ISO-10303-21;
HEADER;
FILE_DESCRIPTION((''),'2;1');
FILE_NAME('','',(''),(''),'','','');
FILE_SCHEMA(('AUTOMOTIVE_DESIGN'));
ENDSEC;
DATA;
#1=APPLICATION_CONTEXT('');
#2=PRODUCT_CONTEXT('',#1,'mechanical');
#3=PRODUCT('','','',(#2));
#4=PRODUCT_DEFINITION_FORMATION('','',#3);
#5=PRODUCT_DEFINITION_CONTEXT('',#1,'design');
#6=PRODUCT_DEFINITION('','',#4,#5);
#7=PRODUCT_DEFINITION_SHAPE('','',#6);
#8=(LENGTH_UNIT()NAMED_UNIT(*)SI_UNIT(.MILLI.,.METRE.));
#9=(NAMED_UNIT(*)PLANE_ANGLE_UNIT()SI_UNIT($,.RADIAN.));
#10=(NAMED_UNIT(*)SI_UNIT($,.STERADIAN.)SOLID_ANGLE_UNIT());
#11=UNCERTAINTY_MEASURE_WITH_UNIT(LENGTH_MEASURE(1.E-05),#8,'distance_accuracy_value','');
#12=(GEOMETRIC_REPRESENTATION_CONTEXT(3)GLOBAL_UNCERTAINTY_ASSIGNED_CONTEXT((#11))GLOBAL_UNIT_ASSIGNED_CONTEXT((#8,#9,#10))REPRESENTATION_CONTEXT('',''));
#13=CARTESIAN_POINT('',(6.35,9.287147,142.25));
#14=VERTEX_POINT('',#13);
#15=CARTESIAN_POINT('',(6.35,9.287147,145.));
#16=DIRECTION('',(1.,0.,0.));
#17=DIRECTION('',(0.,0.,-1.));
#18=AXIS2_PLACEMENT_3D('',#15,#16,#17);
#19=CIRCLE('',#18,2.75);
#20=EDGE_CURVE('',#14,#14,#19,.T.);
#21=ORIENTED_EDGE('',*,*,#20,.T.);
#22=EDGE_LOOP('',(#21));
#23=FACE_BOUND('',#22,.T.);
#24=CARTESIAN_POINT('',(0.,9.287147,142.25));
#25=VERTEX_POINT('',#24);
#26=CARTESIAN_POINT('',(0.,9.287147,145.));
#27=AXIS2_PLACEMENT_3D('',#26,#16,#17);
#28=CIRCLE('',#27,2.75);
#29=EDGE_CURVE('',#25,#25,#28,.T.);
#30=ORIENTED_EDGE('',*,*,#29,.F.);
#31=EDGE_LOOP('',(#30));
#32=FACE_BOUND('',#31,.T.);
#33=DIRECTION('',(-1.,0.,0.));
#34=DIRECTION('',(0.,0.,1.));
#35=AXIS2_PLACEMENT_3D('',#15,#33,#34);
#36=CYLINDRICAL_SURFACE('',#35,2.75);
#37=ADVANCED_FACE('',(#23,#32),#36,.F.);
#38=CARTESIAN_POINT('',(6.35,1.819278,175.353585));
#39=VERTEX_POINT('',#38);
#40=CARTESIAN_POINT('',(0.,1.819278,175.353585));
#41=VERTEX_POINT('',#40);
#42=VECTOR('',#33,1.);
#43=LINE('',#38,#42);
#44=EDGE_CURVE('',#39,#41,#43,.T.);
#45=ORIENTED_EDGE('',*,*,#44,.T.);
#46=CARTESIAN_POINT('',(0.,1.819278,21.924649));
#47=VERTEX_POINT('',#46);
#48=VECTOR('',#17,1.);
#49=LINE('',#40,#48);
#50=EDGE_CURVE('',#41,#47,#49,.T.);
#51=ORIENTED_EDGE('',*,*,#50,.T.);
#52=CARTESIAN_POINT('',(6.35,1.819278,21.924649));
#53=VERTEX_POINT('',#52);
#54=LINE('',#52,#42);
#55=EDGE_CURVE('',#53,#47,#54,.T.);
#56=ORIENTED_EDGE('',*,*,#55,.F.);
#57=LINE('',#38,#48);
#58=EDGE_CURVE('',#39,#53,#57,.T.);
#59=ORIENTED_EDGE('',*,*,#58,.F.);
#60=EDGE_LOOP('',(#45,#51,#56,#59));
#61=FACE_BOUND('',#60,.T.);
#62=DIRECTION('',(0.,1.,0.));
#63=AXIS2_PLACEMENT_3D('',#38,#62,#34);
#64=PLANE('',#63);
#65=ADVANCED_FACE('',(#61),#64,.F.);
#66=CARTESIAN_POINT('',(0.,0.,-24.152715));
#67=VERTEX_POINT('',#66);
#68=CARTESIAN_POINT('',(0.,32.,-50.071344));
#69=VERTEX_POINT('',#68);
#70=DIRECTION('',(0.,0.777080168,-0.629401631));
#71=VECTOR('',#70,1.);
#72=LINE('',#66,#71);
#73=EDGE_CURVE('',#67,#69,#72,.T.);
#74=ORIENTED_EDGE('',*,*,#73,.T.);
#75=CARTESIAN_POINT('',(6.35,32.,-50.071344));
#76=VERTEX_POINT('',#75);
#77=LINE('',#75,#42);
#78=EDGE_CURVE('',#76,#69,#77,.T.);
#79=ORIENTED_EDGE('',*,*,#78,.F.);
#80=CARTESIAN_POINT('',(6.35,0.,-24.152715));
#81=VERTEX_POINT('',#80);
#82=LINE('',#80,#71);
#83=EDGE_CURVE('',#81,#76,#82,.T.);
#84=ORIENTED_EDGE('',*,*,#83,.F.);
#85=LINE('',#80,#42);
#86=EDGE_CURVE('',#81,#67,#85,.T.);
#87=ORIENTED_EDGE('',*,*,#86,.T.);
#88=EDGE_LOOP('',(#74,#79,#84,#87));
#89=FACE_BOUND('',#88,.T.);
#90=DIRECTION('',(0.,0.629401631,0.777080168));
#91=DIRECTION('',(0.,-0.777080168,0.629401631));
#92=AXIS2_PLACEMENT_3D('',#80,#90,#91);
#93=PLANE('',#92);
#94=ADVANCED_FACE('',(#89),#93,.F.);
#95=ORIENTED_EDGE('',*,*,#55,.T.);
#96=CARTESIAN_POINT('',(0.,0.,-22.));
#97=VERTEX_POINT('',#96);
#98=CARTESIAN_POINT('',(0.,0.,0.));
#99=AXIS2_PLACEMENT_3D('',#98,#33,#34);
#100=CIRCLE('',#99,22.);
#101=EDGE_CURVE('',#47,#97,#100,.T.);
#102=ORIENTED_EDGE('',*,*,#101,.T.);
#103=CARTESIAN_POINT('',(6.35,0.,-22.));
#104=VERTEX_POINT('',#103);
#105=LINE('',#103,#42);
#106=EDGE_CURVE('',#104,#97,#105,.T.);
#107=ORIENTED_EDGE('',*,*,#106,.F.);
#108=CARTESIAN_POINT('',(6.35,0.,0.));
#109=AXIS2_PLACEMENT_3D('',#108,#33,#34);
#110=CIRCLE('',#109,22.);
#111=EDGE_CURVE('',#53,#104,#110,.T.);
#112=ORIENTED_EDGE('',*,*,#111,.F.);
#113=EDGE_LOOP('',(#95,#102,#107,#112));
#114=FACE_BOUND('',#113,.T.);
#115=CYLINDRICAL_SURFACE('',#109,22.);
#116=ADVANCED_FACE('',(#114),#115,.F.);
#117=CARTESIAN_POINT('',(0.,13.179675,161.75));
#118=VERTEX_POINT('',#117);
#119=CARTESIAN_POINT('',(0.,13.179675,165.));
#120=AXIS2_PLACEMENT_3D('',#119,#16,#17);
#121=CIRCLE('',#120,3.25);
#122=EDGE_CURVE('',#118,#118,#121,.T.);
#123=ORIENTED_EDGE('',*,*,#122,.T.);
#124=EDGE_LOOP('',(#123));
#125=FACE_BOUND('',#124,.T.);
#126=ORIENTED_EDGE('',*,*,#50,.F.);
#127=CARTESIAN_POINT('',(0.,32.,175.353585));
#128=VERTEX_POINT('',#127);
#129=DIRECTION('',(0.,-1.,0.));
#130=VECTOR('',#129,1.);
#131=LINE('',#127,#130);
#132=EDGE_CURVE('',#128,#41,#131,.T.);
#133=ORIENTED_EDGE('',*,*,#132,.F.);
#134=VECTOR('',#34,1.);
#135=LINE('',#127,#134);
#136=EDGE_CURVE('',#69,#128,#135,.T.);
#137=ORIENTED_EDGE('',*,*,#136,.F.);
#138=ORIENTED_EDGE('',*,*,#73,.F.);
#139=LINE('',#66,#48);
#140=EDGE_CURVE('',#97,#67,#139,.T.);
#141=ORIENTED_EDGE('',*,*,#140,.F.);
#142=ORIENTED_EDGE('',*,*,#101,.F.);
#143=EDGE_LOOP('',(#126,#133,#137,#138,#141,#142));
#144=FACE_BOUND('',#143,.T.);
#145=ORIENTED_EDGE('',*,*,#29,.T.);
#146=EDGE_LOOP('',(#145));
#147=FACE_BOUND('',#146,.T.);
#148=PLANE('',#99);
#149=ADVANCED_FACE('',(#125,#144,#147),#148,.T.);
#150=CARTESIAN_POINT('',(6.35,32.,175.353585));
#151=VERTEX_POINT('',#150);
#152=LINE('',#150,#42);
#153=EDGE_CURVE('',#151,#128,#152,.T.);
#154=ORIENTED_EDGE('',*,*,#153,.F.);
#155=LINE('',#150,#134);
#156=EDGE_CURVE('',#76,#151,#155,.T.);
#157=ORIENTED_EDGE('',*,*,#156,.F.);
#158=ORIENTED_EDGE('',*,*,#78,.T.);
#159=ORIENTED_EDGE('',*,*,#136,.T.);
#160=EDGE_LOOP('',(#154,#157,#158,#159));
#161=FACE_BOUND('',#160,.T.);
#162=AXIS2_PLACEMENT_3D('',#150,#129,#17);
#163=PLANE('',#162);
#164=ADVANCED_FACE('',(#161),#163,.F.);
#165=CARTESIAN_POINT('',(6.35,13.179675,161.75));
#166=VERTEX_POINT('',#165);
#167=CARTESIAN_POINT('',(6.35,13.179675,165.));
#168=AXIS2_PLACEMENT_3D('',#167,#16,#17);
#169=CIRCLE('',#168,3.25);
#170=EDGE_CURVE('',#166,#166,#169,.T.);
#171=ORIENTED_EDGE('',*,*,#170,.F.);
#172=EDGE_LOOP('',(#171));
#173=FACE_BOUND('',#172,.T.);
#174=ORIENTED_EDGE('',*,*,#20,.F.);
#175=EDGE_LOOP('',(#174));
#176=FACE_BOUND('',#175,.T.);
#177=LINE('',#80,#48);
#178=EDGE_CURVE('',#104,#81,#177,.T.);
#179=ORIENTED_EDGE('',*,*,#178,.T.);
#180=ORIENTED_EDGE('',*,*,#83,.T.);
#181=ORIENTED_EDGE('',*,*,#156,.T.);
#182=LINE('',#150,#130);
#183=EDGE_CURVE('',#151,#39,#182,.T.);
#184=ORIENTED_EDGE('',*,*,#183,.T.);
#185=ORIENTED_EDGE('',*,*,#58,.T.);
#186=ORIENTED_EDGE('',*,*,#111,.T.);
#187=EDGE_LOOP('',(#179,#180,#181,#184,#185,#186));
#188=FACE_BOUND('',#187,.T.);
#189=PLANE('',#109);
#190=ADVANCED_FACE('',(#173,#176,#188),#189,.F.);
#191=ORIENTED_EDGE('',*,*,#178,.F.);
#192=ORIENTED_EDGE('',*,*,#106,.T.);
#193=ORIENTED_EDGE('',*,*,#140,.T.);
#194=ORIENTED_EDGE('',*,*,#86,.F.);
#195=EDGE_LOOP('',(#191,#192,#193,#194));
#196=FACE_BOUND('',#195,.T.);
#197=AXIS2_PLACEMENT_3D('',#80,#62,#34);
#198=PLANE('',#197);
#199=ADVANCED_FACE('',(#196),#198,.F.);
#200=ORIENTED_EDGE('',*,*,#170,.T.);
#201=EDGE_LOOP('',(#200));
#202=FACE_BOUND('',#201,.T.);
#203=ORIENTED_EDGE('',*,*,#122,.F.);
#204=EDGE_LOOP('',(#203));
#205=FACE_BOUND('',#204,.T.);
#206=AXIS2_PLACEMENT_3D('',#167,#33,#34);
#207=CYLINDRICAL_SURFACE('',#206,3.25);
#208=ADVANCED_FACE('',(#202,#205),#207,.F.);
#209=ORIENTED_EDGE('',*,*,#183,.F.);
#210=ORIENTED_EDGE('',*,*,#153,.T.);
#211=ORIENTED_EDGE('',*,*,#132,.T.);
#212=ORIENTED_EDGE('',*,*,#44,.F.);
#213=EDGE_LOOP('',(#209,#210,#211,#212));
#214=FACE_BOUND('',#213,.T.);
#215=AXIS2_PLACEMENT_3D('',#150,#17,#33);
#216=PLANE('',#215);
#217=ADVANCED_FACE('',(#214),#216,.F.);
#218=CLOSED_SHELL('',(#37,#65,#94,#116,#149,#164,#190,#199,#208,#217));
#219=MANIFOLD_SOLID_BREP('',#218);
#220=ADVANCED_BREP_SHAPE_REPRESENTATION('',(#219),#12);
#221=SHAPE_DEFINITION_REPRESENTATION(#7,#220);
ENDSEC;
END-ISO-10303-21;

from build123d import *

# Parameters (mm, degrees)
SKETCH1_R           = 3.25
SKETCH1_R_2         = 2.75
BOSS_EXTRUDE1_DEPTH = 6.35


with BuildPart() as part:
    # Sketch1 → Boss-Extrude1 (new body)
    with BuildSketch(Plane(origin=(0, 0, 0), x_dir=(0, 0, -1), z_dir=(1, 0, 0))):
        with BuildLine():
            Line((-175.353584658, 32), (50.071343536, 32))
            Line((50.071343536, 32), (24.152715011, 0))
            Line((24.152715011, 0), (22, 0))
            ThreePointArc((22, 0), (0.91041892, 21.981154141), (-21.924648854, 1.819278055))
            Line((-21.924648854, 1.819278055), (-175.353584658, 1.819278055))
            Line((-175.353584658, 1.819278055), (-175.353584658, 32))
        make_face()
        with Locations((-165, 13.1796749)):
            Circle(SKETCH1_R, mode=Mode.SUBTRACT)
        with Locations((-145, 9.287146811)):
            Circle(SKETCH1_R_2, mode=Mode.SUBTRACT)
    extrude(amount=BOSS_EXTRUDE1_DEPTH)


solid = part.part
